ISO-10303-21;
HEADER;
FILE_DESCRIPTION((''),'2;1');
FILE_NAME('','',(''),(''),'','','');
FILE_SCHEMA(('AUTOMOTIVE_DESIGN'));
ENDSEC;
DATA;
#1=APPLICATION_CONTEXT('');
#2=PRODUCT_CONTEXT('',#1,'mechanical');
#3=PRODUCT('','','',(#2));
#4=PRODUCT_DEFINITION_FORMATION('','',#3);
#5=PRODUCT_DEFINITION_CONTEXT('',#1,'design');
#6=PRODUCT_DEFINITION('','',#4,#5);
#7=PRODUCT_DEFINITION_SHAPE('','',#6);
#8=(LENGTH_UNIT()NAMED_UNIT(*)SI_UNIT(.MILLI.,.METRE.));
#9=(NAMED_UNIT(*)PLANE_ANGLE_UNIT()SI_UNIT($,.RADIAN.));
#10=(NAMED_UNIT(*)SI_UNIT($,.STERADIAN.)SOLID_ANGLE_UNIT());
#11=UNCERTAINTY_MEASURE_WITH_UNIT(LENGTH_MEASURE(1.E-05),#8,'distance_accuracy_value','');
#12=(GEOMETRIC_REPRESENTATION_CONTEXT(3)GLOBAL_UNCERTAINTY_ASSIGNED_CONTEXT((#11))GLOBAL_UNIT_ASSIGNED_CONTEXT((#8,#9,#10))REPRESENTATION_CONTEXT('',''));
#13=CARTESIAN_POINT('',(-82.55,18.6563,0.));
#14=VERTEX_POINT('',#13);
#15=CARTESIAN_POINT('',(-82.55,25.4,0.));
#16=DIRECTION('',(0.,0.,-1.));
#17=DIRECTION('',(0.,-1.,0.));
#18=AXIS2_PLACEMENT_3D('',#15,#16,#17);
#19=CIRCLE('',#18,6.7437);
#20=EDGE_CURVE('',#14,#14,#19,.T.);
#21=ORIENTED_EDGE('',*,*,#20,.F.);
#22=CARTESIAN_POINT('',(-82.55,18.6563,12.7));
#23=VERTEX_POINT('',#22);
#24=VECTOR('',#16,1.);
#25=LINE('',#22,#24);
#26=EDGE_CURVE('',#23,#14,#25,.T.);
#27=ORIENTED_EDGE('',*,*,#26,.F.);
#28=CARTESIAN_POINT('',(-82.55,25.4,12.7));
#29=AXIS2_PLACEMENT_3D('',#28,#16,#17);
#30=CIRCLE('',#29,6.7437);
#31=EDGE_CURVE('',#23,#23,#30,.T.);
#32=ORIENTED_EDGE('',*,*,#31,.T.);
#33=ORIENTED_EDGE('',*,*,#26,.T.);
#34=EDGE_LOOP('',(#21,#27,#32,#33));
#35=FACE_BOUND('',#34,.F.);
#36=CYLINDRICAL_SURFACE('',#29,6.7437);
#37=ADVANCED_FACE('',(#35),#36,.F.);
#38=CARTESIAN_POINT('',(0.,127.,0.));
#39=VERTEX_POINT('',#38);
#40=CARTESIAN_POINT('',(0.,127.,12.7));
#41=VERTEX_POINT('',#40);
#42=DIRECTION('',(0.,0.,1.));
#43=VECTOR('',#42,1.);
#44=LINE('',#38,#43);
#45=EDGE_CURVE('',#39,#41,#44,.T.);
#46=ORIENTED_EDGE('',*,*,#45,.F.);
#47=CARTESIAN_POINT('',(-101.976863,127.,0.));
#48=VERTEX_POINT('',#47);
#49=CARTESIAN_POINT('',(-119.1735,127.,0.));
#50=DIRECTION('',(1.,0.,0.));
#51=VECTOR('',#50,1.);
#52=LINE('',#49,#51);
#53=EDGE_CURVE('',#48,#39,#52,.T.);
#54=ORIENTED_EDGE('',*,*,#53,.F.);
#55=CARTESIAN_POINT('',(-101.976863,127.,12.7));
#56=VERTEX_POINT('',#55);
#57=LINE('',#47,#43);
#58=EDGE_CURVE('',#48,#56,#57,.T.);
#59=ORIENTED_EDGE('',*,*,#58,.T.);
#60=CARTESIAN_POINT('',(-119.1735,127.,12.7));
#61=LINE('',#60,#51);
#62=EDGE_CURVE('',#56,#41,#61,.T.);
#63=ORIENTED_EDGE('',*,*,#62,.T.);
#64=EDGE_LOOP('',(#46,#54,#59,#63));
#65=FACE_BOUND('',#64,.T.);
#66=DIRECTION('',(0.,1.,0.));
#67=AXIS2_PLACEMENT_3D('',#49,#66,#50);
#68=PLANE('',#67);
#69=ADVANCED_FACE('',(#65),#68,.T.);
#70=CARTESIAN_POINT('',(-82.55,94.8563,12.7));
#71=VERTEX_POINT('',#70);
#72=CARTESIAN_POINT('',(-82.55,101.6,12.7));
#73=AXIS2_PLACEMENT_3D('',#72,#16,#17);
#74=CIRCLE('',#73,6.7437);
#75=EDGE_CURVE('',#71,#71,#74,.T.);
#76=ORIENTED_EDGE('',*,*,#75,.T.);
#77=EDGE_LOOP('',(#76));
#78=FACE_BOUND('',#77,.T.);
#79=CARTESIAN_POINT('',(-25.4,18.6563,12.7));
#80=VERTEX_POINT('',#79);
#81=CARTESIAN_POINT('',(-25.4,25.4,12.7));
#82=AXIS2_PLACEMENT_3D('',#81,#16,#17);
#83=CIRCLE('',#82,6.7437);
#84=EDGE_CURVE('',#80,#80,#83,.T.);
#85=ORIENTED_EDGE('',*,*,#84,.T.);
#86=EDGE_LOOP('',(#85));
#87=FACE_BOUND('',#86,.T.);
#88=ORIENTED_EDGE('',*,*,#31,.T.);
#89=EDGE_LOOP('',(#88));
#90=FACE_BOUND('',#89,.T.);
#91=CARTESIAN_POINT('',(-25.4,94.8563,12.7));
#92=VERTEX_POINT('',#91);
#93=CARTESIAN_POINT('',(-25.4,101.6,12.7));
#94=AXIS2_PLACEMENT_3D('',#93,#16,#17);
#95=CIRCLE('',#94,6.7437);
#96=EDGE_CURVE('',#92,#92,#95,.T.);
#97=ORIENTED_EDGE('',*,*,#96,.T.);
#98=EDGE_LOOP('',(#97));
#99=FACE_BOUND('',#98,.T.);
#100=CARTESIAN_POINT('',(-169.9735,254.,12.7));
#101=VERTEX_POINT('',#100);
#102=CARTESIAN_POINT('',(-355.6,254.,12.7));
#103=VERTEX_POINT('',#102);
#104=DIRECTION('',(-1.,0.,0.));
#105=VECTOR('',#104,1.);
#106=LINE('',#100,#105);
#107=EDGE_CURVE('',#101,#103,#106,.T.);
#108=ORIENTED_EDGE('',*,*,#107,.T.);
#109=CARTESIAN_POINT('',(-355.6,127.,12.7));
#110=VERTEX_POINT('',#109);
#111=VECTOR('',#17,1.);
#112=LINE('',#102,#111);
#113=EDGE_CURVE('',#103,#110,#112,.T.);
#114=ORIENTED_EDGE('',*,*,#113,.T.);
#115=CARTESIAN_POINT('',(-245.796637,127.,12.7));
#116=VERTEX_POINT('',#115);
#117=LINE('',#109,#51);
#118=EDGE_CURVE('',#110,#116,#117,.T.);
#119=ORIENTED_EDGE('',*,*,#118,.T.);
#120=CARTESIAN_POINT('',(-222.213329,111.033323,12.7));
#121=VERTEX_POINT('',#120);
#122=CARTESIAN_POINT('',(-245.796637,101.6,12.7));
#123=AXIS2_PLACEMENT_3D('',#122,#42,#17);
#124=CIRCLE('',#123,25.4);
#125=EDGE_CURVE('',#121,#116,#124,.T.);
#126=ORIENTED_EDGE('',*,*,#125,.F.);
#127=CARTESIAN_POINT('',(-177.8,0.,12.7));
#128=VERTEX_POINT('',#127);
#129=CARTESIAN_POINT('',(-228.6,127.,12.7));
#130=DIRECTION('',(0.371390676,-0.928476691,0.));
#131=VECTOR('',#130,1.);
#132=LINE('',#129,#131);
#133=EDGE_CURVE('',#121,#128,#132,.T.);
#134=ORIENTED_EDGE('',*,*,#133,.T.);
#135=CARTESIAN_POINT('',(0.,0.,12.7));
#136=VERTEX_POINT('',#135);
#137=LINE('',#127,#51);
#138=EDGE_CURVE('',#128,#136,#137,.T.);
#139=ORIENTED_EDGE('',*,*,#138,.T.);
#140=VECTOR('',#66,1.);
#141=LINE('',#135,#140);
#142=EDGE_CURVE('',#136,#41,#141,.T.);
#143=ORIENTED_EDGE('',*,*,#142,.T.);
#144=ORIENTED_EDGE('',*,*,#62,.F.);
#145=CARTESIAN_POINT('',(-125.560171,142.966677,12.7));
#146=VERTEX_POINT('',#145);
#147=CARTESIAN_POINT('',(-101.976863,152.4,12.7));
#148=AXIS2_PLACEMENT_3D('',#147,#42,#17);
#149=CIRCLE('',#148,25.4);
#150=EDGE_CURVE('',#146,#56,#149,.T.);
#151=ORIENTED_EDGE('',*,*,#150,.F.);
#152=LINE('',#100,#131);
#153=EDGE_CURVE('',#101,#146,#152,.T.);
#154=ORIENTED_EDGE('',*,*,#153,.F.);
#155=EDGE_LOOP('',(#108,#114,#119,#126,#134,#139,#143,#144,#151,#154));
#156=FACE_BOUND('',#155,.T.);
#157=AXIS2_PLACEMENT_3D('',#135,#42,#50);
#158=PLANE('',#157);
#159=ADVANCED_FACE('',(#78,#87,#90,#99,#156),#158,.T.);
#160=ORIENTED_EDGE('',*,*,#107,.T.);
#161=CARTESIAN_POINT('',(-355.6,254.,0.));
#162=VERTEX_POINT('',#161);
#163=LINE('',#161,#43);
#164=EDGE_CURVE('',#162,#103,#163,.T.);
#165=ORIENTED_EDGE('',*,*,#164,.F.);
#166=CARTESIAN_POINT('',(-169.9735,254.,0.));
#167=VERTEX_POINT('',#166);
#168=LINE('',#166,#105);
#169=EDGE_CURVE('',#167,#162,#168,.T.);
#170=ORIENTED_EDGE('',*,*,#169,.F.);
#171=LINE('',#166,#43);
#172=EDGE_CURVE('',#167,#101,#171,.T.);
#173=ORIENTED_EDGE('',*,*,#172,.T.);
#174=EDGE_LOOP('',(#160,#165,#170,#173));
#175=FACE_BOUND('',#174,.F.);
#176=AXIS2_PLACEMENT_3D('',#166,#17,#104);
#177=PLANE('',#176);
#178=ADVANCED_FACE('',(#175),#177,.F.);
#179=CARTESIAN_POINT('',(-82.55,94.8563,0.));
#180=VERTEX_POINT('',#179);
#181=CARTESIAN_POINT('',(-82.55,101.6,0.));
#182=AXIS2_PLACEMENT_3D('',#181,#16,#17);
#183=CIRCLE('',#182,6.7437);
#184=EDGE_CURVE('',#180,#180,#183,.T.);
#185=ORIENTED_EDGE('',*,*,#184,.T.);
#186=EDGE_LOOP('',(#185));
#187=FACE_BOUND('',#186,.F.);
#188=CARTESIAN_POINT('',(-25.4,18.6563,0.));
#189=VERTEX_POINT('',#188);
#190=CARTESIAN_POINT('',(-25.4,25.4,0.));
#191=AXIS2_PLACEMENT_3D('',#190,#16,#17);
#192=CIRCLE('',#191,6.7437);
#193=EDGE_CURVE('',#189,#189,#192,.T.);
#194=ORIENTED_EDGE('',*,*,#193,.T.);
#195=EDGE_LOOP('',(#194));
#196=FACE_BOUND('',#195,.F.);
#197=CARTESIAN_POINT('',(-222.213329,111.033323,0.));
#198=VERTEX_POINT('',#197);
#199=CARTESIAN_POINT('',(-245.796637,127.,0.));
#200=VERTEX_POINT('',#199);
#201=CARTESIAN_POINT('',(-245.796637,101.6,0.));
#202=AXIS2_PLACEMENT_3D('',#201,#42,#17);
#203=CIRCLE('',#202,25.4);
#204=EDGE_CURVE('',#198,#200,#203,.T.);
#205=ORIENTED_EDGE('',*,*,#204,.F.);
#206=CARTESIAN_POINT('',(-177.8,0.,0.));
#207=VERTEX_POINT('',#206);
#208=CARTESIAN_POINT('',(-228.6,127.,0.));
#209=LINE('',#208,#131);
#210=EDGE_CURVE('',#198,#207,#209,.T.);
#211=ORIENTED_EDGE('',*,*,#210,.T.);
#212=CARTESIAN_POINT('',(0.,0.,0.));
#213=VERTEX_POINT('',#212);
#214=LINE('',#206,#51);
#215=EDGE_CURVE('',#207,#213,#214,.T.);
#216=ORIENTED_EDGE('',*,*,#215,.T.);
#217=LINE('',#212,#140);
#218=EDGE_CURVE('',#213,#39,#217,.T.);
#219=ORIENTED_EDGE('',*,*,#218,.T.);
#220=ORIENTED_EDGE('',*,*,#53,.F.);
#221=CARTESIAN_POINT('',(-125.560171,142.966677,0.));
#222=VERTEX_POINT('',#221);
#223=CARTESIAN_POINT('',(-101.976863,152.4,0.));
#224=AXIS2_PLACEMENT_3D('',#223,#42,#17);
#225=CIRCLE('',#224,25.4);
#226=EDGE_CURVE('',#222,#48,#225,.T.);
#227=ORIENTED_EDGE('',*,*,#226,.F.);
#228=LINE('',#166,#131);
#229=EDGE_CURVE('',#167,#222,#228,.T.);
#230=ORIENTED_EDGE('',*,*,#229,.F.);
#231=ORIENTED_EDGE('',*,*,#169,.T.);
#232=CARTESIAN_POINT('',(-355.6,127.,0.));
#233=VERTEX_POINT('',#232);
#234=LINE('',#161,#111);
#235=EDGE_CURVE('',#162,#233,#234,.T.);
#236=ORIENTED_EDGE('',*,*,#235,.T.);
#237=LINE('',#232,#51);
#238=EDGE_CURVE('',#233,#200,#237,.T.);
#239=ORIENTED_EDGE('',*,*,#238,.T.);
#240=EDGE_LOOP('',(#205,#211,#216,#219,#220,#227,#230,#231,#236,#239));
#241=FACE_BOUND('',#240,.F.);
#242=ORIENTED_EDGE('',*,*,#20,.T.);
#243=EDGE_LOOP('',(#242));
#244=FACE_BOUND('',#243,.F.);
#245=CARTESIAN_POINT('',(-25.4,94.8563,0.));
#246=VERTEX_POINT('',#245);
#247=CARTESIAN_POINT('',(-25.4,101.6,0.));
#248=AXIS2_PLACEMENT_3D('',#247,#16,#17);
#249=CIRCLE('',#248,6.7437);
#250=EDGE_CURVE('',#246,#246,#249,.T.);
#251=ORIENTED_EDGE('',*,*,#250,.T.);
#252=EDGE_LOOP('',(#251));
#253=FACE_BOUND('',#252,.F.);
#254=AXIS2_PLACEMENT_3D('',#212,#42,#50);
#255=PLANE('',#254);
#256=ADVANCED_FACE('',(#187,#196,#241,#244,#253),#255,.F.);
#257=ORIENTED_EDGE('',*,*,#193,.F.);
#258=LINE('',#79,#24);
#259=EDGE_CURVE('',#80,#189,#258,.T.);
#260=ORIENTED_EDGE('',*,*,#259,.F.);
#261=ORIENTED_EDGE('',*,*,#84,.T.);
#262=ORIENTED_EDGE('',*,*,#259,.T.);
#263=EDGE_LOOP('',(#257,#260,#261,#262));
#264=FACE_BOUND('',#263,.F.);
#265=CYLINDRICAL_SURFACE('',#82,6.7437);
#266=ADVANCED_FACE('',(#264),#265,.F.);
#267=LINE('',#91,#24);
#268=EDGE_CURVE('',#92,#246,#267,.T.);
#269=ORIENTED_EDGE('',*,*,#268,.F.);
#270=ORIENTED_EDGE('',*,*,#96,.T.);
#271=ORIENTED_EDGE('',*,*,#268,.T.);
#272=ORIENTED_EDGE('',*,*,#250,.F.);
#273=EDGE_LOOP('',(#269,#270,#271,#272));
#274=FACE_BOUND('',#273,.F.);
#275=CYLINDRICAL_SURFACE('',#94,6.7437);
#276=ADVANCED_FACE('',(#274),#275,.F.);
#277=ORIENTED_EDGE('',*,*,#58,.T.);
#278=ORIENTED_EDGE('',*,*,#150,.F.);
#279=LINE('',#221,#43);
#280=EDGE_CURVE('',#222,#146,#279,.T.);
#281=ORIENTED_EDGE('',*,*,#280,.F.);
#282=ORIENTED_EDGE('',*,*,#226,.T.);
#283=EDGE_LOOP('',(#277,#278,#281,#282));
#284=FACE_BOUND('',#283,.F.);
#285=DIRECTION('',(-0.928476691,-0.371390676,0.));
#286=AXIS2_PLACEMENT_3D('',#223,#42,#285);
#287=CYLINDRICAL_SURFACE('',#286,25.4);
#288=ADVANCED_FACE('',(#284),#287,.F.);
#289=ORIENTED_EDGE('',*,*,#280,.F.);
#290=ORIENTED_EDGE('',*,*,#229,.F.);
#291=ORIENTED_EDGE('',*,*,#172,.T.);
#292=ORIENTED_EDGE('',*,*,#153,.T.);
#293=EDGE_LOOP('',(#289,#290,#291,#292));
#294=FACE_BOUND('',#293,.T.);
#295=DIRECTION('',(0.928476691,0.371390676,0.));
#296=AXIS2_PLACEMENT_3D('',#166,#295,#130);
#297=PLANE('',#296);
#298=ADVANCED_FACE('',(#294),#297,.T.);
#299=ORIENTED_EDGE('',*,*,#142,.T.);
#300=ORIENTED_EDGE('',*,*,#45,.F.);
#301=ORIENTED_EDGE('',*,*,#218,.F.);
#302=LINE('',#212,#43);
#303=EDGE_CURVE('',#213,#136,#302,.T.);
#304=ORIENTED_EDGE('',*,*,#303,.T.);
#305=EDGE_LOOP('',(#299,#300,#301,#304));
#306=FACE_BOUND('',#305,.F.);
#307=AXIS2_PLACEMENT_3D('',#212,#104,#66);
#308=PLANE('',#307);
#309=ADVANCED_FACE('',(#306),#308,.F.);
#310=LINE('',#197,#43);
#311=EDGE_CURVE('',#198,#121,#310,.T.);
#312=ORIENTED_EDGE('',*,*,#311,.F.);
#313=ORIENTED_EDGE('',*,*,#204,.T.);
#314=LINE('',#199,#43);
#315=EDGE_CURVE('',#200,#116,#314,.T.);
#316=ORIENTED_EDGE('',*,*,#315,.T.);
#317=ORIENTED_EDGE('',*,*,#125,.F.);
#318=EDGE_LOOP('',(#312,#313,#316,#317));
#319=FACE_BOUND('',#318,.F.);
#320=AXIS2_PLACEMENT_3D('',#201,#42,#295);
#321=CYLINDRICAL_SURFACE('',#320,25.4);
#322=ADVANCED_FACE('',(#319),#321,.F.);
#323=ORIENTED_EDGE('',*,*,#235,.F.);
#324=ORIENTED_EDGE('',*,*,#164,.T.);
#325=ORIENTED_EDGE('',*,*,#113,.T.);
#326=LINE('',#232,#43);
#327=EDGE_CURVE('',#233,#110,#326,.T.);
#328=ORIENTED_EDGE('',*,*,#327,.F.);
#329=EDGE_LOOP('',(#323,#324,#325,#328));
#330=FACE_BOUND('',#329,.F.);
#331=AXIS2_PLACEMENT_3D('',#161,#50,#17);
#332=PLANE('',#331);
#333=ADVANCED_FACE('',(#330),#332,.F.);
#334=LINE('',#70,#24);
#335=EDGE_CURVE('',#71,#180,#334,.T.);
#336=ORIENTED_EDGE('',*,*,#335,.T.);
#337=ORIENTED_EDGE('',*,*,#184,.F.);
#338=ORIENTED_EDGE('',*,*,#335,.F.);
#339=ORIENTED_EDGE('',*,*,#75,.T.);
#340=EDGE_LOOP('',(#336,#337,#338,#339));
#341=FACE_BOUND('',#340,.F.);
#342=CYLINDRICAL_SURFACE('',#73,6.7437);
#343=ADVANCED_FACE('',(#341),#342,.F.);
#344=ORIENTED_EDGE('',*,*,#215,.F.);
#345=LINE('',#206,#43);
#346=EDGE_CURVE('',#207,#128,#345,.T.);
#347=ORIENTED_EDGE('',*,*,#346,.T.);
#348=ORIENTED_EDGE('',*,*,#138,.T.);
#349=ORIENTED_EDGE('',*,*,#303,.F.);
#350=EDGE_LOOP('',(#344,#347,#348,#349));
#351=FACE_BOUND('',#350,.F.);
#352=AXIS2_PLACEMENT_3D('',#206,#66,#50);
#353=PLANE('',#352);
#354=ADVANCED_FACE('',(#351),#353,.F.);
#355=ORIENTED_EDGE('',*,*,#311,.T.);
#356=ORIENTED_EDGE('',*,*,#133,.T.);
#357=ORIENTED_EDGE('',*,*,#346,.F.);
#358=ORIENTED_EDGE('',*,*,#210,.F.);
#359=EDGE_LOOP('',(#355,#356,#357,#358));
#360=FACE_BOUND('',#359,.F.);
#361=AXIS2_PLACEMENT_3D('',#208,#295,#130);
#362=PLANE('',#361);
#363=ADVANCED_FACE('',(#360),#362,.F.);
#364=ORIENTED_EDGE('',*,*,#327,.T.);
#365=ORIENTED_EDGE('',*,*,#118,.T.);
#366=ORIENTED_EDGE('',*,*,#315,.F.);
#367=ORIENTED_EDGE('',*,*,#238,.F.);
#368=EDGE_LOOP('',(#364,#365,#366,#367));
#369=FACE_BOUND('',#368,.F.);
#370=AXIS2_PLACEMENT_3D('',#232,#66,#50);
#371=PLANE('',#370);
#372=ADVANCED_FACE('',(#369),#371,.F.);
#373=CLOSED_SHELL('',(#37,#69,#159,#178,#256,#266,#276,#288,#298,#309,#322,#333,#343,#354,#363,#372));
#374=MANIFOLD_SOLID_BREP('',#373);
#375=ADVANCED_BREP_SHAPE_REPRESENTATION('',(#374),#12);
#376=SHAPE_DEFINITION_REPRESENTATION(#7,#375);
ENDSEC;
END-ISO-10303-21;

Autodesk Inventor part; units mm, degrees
ref_plane "YZ Plane" through (0, 0, 0) normal (1, 0, 0) x (0, 1, 0)
ref_plane "XZ Plane" through (0, 0, 0) normal (0, 1, 0) x (-1, 0, 0)
ref_plane "XY Plane" through (0, 0, 0) normal (0, 0, 1) x (1, 0, 0)
sketch "Sketch1" plane through (0, 0, 0) normal (0, 0, 1) x (1, 0, 0)
  line L0 (-177.8, 0) -> (0, 0)
  line L1 (0, 0) -> (0, 127)
  line L2 (-169.9735, 254) -> (-355.6, 254)
  line L3 (-355.6, 254) -> (-355.6, 127)
  line L4 (-355.6, 127) -> (-228.6, 127)
  line L5 (-228.6, 127) -> (-177.8, 0)
  line L6 (-169.9735, 254) -> (-119.1735, 127)
  line L7 (-119.1735, 127) -> (0, 127)
  dimension "d8" = 127
  dimension "brkt_ht" = 254
  dimension "brkt_width" = 355.6
  dimension "d11" = 127
  dimension "d12" = 101.6
  dimension "d13" = 111.801
  dimension "d15" = 177.8
extrude "Extrusion1" add sketch "Sketch1" along normal blind 12.7
fillet "Fillet1" radius 25.4 2 edges at (-228.6, 127, 6.35) (-119.1735, 127, 6.35)
sketch "Sketch4" plane through (0, 0, 12.7) normal (0, 0, 1) x (1, 0, 0)
  line L0 (-25.4, 101.6) -> (-82.55, 101.6) construction
  line L1 (-82.55, 101.6) -> (-82.55, 25.4) construction
  line L2 (-82.55, 25.4) -> (-25.4, 25.4) construction
  line L3 (-25.4, 25.4) -> (-25.4, 101.6) construction
  line L4 (0, 0) -> (0, 127) construction
  line L5 (0, 127) -> (-101.9768, 127) construction
  point P0 (-25.4, 63.5)
  point P1 (0, 63.5)
  dimension "d19" = 25.4
  dimension "d20" = 25.4
  dimension "d21" = 57.15
hole "Hole1" at (-25.4, 101.6, 12.7) at (-82.55, 101.6, 12.7) at (-82.55, 25.4, 12.7) at (-25.4, 25.4, 12.7) direction (0, 0, -1) diameter 13.4874 end through all clearance for "Hex Head Bolt" size "1/2" standard "Ansi Unified Screw Threads"
equation "\"d15\" = 0.5 * brkt_width"
properties part number "884702-01"
